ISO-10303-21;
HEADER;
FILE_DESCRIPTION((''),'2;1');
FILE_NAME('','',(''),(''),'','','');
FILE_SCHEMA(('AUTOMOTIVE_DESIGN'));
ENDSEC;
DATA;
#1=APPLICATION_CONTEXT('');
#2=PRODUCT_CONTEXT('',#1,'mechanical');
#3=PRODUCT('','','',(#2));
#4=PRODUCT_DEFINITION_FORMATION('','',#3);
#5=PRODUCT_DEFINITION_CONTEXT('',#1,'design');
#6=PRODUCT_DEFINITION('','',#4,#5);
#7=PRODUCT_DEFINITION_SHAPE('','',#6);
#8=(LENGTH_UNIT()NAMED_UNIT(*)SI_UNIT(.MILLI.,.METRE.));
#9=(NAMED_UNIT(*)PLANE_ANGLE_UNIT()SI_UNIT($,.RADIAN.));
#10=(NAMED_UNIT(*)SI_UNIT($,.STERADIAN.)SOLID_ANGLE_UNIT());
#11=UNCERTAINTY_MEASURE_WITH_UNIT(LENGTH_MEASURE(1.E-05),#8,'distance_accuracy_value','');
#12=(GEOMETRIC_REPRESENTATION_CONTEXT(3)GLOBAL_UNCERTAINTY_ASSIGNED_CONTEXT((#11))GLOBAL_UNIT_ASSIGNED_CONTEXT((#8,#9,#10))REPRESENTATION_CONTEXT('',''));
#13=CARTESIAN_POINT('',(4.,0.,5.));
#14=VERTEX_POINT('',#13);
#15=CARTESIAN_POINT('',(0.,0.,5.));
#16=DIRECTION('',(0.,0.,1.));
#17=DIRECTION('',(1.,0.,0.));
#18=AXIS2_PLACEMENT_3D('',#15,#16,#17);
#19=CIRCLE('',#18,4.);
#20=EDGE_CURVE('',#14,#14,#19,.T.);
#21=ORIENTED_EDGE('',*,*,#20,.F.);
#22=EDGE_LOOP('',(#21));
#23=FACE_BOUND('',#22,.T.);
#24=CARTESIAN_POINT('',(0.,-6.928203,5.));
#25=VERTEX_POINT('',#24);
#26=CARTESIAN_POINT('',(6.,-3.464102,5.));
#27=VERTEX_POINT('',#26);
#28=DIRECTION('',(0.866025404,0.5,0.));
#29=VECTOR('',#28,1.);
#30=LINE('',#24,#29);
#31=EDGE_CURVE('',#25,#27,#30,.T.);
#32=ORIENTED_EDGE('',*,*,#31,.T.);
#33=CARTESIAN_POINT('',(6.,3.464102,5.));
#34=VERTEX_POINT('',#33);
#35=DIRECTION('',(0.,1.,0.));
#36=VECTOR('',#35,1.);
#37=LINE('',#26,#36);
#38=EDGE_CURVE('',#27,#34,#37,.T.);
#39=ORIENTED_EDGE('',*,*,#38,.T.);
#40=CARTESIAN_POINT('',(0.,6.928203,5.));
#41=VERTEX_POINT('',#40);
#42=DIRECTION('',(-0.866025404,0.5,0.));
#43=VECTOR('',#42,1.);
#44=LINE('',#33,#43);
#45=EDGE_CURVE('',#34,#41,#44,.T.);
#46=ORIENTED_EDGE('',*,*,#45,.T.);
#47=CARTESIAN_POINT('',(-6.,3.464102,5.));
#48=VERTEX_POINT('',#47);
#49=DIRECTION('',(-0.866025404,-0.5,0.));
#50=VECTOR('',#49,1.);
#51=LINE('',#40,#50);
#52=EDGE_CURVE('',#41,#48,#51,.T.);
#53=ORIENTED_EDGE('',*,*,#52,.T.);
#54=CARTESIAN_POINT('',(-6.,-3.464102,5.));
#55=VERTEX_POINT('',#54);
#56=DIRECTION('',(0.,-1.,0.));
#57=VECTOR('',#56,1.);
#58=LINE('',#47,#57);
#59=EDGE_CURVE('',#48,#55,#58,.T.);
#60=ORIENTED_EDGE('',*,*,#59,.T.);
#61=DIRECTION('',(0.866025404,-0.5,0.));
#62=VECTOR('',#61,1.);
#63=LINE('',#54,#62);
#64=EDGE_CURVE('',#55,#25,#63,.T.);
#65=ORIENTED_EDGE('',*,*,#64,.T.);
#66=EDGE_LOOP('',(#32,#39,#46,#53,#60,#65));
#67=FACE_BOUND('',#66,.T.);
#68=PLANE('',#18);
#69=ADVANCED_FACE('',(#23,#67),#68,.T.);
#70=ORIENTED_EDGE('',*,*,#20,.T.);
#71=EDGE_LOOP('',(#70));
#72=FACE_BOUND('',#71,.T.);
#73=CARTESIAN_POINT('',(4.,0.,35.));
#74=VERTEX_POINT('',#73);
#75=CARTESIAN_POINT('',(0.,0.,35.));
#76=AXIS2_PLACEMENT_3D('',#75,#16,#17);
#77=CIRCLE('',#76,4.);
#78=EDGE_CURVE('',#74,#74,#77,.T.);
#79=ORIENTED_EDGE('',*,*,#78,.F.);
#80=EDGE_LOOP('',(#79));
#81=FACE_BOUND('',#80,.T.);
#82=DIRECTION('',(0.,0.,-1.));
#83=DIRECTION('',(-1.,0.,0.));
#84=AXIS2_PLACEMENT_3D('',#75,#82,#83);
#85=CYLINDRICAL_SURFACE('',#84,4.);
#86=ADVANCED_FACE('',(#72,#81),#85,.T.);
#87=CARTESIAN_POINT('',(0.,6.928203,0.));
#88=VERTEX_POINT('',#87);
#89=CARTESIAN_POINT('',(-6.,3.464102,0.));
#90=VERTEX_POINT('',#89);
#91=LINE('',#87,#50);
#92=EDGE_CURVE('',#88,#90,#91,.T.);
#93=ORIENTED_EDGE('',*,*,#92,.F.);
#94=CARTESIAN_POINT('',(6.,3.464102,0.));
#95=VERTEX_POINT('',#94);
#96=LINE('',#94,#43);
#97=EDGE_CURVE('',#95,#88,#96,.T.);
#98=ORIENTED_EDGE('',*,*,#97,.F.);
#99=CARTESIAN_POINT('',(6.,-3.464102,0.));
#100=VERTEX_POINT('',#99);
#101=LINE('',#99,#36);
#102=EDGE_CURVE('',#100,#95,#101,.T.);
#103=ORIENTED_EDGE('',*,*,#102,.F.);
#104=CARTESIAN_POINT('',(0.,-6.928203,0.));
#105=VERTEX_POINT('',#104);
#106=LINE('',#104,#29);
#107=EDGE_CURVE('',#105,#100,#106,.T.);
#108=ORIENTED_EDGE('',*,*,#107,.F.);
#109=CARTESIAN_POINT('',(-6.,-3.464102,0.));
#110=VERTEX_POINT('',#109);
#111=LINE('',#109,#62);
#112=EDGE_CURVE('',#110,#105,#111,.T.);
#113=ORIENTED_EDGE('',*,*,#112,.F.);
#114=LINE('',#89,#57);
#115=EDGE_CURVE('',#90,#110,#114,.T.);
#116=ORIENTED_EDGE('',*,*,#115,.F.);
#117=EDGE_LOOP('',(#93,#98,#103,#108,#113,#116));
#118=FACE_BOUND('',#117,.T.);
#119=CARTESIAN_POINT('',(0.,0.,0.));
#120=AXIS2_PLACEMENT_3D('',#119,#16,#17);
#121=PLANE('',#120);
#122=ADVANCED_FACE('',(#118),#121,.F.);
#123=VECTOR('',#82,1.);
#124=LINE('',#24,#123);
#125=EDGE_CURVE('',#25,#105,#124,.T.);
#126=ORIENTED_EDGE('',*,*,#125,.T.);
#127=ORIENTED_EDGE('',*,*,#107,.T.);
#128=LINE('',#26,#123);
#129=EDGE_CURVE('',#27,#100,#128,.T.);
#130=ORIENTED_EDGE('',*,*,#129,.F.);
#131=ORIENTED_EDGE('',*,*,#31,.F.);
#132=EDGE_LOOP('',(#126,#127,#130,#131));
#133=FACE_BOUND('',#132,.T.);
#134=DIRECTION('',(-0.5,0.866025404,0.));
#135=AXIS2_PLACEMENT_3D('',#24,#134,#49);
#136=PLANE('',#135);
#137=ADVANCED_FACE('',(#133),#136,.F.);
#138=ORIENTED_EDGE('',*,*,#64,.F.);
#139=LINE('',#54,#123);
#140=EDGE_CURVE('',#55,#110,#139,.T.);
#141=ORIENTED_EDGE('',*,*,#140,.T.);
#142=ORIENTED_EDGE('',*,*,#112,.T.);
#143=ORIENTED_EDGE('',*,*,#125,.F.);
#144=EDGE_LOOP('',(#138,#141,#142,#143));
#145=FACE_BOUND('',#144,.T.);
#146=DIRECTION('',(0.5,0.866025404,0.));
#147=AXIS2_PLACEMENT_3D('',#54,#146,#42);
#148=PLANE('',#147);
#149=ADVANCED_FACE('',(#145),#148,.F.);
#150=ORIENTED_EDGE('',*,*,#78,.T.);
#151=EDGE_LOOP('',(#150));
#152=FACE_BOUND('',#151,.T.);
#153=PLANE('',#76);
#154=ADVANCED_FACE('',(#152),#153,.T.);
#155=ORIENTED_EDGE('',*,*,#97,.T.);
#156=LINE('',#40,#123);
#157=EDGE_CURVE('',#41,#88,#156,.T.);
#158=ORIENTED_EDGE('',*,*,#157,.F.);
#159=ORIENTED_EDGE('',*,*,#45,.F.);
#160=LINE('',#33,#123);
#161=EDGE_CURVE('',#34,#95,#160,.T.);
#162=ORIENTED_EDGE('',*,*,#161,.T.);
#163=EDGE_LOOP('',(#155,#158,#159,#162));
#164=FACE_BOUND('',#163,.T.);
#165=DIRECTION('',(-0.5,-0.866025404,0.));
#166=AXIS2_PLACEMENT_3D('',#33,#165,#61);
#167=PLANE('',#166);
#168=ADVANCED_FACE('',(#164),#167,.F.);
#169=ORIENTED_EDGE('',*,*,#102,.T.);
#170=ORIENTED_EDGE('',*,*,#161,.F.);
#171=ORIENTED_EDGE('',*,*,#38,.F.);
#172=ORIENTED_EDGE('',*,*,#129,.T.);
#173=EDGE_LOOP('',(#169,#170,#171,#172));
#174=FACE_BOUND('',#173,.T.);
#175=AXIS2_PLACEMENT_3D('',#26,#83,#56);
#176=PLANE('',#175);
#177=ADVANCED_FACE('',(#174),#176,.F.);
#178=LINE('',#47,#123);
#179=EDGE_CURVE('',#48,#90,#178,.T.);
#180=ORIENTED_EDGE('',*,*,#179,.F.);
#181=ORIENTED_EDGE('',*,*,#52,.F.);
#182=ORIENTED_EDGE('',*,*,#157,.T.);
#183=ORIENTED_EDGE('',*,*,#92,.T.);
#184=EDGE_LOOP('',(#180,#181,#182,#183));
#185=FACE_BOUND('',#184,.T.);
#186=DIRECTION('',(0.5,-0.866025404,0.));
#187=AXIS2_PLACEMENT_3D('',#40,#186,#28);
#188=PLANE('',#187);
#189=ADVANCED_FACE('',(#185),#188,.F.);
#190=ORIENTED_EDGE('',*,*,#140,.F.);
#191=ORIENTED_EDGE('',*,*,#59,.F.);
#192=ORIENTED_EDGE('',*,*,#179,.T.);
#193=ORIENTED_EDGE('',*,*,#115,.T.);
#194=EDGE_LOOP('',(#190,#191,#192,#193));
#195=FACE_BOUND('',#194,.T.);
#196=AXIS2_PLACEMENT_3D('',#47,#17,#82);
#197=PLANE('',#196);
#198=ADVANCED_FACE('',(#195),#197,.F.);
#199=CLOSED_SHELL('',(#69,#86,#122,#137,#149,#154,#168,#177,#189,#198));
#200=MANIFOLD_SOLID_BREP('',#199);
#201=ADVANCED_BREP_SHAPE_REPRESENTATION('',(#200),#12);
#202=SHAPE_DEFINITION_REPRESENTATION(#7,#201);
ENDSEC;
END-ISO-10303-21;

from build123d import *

# Parameters (mm, degrees)
BOSS_EXTRUDE1_DEPTH = 5
SKETCH2_R           = 4
BOSS_EXTRUDE2_DEPTH = 30


with BuildPart() as part:
    # Sketch1 → Boss-Extrude1 (new body)
    with BuildSketch(Plane.XY):
        Polygon((0, 6.92820323), (-6, 3.464101615), (-6, -3.464101615), (0, -6.92820323), (6, -3.464101615), (6, 3.464101615), align=None)
    extrude(amount=BOSS_EXTRUDE1_DEPTH)

    # Sketch2 → Boss-Extrude2 (add)
    with BuildSketch(Plane.XY.offset(5)):
        Circle(SKETCH2_R)
    extrude(amount=BOSS_EXTRUDE2_DEPTH)


solid = part.part
